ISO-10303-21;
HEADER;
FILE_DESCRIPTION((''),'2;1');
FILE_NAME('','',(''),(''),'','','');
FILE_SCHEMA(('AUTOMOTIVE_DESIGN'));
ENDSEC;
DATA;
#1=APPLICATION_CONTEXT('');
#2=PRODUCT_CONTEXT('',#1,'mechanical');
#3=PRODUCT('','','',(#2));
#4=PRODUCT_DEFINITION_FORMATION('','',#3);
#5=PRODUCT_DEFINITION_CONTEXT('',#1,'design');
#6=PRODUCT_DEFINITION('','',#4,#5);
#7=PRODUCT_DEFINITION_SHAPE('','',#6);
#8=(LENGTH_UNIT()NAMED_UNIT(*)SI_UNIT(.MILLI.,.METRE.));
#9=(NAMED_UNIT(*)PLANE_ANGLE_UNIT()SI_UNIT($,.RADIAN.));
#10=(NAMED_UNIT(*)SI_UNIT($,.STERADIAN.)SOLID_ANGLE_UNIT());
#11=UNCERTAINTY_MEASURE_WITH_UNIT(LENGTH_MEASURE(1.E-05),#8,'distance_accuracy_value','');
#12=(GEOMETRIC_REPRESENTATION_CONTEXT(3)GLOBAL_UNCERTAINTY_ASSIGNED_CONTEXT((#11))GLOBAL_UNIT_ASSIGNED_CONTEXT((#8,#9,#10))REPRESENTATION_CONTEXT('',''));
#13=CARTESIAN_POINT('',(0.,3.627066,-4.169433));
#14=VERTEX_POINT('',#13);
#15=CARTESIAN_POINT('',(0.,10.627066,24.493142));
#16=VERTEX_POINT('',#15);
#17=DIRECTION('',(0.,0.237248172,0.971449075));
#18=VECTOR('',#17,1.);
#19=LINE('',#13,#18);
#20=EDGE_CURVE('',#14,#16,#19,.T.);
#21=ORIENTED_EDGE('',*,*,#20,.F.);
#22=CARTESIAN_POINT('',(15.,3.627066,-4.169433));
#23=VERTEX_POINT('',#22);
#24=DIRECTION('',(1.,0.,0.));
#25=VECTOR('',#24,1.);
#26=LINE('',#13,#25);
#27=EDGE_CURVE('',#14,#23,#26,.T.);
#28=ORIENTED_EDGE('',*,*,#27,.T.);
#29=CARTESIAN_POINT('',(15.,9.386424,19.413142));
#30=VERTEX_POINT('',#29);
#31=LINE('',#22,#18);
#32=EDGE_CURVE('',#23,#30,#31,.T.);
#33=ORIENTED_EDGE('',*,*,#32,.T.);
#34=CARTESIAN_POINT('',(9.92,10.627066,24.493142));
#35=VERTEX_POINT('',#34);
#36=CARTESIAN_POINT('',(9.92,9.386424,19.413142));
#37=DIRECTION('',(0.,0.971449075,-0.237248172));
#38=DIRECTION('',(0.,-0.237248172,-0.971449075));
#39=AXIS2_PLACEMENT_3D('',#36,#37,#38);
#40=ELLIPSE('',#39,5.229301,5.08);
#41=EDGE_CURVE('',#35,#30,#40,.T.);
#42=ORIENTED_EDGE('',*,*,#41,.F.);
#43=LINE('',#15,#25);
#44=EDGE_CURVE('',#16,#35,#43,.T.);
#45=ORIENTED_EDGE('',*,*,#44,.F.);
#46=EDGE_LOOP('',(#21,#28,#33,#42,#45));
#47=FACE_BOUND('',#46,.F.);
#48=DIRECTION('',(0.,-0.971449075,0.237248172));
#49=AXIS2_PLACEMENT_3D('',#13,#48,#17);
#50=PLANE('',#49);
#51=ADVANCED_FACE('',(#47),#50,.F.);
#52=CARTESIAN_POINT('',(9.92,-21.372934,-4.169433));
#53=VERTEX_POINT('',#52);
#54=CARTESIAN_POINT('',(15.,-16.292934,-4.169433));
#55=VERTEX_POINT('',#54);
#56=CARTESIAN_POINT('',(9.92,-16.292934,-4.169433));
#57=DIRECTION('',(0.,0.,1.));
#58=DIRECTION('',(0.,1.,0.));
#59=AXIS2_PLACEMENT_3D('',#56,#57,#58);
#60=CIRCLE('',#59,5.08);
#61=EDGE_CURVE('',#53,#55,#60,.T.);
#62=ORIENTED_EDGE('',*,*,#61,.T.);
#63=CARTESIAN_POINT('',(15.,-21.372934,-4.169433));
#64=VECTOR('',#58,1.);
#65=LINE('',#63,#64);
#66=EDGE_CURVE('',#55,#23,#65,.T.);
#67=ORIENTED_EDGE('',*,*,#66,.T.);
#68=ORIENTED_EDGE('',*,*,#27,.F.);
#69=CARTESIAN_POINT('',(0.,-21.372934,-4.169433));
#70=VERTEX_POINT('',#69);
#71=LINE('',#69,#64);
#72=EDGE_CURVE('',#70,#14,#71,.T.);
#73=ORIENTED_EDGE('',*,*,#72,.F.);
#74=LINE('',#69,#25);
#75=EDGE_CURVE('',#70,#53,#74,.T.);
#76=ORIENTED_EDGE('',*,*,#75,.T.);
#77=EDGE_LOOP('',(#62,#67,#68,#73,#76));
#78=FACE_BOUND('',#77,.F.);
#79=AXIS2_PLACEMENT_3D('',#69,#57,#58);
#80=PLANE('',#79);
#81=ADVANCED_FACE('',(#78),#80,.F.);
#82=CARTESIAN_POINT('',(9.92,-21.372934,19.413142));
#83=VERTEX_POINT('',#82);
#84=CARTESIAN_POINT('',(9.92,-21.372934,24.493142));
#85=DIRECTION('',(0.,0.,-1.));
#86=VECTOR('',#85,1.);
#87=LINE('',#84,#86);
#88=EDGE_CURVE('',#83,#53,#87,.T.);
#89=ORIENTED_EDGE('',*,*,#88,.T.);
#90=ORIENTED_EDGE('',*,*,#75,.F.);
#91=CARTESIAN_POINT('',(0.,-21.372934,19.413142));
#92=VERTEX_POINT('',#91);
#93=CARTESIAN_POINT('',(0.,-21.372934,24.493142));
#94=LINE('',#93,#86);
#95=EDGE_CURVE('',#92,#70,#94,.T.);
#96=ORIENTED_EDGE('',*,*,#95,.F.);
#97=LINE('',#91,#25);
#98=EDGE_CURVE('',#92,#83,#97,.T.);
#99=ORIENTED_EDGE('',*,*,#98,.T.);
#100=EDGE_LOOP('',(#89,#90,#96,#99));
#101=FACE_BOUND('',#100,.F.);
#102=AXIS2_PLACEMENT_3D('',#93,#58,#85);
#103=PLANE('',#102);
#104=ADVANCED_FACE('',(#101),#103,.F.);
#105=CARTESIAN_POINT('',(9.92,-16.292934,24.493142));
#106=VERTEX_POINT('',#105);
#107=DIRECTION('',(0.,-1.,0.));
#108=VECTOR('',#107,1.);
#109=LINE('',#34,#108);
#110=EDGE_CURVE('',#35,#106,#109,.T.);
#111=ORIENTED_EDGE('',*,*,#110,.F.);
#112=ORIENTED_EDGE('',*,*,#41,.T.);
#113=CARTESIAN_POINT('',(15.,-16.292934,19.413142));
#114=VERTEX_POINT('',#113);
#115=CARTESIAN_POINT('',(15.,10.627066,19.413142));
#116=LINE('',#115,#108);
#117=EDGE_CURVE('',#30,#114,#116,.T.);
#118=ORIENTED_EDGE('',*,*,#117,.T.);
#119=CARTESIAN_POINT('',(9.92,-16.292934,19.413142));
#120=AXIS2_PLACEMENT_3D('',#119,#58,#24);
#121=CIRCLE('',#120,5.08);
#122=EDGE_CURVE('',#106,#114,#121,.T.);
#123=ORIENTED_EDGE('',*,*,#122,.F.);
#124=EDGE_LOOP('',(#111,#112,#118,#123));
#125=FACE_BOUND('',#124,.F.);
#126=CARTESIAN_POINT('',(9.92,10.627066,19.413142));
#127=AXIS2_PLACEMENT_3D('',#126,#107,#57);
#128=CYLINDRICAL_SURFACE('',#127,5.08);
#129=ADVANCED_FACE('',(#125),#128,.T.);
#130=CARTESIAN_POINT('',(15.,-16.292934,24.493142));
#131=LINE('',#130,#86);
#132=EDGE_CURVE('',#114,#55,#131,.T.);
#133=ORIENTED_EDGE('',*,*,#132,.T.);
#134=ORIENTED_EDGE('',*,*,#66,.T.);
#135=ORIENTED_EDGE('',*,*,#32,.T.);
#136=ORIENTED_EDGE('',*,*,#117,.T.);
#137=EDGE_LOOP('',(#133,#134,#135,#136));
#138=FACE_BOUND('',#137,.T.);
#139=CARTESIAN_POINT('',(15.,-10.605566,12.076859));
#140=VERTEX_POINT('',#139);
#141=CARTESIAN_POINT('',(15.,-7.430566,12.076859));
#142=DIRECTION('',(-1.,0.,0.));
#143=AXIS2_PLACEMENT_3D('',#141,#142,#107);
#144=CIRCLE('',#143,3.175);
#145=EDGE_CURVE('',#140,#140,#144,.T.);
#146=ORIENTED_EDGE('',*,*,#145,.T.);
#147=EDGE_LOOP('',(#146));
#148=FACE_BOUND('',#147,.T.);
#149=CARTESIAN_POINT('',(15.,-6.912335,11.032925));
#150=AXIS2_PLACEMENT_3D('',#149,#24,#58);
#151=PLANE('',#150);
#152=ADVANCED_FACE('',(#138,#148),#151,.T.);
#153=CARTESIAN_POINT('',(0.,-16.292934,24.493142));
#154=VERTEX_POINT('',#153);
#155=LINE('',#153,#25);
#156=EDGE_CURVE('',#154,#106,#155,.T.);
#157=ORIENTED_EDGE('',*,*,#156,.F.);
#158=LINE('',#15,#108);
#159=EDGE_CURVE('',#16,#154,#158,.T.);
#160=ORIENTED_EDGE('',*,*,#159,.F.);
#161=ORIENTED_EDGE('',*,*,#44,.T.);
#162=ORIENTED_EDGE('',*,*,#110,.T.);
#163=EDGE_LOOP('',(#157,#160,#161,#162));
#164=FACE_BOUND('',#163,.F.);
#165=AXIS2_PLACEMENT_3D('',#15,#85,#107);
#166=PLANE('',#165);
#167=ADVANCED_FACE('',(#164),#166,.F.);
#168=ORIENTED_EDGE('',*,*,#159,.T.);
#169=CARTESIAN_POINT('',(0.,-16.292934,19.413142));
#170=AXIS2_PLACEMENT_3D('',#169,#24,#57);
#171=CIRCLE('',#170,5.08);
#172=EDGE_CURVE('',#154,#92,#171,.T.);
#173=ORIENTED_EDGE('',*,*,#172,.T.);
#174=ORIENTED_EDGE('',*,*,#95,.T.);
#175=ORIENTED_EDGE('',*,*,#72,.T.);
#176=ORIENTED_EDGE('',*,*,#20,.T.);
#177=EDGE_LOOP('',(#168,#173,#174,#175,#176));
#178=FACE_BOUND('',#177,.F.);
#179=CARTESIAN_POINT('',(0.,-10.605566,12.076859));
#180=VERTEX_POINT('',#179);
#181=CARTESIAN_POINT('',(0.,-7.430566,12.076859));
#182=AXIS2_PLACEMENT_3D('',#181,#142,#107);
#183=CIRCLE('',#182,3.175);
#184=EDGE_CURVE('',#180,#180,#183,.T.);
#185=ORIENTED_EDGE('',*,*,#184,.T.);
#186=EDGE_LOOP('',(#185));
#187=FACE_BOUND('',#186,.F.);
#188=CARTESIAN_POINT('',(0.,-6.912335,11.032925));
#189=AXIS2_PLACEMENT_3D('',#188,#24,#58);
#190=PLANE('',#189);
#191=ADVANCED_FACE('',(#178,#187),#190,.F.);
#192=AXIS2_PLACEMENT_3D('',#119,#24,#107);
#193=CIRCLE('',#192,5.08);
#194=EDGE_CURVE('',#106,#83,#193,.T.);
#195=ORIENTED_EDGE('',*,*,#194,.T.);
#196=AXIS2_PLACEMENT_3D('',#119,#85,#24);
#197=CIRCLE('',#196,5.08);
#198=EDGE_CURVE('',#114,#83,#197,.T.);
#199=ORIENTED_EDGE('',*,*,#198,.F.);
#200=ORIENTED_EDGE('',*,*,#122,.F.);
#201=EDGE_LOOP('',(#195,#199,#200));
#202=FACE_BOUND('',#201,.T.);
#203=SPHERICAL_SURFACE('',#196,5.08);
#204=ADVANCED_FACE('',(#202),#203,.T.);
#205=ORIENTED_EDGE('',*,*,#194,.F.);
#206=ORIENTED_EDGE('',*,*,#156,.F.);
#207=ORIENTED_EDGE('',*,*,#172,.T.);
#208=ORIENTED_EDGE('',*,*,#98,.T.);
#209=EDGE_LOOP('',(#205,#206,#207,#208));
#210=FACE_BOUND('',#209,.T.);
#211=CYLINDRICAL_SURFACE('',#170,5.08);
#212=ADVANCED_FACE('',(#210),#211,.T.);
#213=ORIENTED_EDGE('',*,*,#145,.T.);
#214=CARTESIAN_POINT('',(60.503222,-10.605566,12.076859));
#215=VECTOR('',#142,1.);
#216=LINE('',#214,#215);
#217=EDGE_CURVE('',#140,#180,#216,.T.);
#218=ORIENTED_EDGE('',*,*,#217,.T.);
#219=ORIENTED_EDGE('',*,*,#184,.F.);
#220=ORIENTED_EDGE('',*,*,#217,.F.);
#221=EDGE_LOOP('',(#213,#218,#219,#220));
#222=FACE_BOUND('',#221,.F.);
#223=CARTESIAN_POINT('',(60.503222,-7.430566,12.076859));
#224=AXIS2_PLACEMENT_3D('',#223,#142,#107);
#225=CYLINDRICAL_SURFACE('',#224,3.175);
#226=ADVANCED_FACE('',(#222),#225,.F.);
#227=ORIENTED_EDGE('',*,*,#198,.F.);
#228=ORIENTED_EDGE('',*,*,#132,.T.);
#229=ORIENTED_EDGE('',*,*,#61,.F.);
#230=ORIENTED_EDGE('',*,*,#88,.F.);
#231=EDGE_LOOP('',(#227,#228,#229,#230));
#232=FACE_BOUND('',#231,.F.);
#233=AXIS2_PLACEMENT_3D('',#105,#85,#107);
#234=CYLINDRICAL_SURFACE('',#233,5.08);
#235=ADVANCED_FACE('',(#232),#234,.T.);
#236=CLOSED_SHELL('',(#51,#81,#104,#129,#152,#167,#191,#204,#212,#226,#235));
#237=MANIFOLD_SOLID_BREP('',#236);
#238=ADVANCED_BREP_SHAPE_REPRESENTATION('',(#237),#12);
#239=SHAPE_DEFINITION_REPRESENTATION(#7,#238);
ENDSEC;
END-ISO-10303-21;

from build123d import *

# Parameters (mm, degrees)
F1_DEPTH = 15
F2_R     = 5.08
F4_D     = 6.35


with BuildPart() as f1:
    # F0 (on Right) → F1 (new body)
    with BuildSketch(Plane.YZ):
        Polygon((10.627066, 24.493142), (-21.372934, 24.493142), (-21.372934, -4.169433), (3.627066, -4.169433), align=None)
    extrude(amount=F1_DEPTH)

    # F2
    f2_edges = [f1.edges().sort_by_distance(p)[0] for p in [
        (15, -21.372934, 10.161854),
        (15, -5.372934, 24.493142),
        (7.5, -21.372934, 24.493142),
    ]]
    fillet(f2_edges, radius=F2_R)

    # F4 (through all)
    with Locations(Plane.YZ.offset(15)):
        with Locations((-7.430566, 12.076859)):
            Hole(F4_D / 2)


solid = f1.part
